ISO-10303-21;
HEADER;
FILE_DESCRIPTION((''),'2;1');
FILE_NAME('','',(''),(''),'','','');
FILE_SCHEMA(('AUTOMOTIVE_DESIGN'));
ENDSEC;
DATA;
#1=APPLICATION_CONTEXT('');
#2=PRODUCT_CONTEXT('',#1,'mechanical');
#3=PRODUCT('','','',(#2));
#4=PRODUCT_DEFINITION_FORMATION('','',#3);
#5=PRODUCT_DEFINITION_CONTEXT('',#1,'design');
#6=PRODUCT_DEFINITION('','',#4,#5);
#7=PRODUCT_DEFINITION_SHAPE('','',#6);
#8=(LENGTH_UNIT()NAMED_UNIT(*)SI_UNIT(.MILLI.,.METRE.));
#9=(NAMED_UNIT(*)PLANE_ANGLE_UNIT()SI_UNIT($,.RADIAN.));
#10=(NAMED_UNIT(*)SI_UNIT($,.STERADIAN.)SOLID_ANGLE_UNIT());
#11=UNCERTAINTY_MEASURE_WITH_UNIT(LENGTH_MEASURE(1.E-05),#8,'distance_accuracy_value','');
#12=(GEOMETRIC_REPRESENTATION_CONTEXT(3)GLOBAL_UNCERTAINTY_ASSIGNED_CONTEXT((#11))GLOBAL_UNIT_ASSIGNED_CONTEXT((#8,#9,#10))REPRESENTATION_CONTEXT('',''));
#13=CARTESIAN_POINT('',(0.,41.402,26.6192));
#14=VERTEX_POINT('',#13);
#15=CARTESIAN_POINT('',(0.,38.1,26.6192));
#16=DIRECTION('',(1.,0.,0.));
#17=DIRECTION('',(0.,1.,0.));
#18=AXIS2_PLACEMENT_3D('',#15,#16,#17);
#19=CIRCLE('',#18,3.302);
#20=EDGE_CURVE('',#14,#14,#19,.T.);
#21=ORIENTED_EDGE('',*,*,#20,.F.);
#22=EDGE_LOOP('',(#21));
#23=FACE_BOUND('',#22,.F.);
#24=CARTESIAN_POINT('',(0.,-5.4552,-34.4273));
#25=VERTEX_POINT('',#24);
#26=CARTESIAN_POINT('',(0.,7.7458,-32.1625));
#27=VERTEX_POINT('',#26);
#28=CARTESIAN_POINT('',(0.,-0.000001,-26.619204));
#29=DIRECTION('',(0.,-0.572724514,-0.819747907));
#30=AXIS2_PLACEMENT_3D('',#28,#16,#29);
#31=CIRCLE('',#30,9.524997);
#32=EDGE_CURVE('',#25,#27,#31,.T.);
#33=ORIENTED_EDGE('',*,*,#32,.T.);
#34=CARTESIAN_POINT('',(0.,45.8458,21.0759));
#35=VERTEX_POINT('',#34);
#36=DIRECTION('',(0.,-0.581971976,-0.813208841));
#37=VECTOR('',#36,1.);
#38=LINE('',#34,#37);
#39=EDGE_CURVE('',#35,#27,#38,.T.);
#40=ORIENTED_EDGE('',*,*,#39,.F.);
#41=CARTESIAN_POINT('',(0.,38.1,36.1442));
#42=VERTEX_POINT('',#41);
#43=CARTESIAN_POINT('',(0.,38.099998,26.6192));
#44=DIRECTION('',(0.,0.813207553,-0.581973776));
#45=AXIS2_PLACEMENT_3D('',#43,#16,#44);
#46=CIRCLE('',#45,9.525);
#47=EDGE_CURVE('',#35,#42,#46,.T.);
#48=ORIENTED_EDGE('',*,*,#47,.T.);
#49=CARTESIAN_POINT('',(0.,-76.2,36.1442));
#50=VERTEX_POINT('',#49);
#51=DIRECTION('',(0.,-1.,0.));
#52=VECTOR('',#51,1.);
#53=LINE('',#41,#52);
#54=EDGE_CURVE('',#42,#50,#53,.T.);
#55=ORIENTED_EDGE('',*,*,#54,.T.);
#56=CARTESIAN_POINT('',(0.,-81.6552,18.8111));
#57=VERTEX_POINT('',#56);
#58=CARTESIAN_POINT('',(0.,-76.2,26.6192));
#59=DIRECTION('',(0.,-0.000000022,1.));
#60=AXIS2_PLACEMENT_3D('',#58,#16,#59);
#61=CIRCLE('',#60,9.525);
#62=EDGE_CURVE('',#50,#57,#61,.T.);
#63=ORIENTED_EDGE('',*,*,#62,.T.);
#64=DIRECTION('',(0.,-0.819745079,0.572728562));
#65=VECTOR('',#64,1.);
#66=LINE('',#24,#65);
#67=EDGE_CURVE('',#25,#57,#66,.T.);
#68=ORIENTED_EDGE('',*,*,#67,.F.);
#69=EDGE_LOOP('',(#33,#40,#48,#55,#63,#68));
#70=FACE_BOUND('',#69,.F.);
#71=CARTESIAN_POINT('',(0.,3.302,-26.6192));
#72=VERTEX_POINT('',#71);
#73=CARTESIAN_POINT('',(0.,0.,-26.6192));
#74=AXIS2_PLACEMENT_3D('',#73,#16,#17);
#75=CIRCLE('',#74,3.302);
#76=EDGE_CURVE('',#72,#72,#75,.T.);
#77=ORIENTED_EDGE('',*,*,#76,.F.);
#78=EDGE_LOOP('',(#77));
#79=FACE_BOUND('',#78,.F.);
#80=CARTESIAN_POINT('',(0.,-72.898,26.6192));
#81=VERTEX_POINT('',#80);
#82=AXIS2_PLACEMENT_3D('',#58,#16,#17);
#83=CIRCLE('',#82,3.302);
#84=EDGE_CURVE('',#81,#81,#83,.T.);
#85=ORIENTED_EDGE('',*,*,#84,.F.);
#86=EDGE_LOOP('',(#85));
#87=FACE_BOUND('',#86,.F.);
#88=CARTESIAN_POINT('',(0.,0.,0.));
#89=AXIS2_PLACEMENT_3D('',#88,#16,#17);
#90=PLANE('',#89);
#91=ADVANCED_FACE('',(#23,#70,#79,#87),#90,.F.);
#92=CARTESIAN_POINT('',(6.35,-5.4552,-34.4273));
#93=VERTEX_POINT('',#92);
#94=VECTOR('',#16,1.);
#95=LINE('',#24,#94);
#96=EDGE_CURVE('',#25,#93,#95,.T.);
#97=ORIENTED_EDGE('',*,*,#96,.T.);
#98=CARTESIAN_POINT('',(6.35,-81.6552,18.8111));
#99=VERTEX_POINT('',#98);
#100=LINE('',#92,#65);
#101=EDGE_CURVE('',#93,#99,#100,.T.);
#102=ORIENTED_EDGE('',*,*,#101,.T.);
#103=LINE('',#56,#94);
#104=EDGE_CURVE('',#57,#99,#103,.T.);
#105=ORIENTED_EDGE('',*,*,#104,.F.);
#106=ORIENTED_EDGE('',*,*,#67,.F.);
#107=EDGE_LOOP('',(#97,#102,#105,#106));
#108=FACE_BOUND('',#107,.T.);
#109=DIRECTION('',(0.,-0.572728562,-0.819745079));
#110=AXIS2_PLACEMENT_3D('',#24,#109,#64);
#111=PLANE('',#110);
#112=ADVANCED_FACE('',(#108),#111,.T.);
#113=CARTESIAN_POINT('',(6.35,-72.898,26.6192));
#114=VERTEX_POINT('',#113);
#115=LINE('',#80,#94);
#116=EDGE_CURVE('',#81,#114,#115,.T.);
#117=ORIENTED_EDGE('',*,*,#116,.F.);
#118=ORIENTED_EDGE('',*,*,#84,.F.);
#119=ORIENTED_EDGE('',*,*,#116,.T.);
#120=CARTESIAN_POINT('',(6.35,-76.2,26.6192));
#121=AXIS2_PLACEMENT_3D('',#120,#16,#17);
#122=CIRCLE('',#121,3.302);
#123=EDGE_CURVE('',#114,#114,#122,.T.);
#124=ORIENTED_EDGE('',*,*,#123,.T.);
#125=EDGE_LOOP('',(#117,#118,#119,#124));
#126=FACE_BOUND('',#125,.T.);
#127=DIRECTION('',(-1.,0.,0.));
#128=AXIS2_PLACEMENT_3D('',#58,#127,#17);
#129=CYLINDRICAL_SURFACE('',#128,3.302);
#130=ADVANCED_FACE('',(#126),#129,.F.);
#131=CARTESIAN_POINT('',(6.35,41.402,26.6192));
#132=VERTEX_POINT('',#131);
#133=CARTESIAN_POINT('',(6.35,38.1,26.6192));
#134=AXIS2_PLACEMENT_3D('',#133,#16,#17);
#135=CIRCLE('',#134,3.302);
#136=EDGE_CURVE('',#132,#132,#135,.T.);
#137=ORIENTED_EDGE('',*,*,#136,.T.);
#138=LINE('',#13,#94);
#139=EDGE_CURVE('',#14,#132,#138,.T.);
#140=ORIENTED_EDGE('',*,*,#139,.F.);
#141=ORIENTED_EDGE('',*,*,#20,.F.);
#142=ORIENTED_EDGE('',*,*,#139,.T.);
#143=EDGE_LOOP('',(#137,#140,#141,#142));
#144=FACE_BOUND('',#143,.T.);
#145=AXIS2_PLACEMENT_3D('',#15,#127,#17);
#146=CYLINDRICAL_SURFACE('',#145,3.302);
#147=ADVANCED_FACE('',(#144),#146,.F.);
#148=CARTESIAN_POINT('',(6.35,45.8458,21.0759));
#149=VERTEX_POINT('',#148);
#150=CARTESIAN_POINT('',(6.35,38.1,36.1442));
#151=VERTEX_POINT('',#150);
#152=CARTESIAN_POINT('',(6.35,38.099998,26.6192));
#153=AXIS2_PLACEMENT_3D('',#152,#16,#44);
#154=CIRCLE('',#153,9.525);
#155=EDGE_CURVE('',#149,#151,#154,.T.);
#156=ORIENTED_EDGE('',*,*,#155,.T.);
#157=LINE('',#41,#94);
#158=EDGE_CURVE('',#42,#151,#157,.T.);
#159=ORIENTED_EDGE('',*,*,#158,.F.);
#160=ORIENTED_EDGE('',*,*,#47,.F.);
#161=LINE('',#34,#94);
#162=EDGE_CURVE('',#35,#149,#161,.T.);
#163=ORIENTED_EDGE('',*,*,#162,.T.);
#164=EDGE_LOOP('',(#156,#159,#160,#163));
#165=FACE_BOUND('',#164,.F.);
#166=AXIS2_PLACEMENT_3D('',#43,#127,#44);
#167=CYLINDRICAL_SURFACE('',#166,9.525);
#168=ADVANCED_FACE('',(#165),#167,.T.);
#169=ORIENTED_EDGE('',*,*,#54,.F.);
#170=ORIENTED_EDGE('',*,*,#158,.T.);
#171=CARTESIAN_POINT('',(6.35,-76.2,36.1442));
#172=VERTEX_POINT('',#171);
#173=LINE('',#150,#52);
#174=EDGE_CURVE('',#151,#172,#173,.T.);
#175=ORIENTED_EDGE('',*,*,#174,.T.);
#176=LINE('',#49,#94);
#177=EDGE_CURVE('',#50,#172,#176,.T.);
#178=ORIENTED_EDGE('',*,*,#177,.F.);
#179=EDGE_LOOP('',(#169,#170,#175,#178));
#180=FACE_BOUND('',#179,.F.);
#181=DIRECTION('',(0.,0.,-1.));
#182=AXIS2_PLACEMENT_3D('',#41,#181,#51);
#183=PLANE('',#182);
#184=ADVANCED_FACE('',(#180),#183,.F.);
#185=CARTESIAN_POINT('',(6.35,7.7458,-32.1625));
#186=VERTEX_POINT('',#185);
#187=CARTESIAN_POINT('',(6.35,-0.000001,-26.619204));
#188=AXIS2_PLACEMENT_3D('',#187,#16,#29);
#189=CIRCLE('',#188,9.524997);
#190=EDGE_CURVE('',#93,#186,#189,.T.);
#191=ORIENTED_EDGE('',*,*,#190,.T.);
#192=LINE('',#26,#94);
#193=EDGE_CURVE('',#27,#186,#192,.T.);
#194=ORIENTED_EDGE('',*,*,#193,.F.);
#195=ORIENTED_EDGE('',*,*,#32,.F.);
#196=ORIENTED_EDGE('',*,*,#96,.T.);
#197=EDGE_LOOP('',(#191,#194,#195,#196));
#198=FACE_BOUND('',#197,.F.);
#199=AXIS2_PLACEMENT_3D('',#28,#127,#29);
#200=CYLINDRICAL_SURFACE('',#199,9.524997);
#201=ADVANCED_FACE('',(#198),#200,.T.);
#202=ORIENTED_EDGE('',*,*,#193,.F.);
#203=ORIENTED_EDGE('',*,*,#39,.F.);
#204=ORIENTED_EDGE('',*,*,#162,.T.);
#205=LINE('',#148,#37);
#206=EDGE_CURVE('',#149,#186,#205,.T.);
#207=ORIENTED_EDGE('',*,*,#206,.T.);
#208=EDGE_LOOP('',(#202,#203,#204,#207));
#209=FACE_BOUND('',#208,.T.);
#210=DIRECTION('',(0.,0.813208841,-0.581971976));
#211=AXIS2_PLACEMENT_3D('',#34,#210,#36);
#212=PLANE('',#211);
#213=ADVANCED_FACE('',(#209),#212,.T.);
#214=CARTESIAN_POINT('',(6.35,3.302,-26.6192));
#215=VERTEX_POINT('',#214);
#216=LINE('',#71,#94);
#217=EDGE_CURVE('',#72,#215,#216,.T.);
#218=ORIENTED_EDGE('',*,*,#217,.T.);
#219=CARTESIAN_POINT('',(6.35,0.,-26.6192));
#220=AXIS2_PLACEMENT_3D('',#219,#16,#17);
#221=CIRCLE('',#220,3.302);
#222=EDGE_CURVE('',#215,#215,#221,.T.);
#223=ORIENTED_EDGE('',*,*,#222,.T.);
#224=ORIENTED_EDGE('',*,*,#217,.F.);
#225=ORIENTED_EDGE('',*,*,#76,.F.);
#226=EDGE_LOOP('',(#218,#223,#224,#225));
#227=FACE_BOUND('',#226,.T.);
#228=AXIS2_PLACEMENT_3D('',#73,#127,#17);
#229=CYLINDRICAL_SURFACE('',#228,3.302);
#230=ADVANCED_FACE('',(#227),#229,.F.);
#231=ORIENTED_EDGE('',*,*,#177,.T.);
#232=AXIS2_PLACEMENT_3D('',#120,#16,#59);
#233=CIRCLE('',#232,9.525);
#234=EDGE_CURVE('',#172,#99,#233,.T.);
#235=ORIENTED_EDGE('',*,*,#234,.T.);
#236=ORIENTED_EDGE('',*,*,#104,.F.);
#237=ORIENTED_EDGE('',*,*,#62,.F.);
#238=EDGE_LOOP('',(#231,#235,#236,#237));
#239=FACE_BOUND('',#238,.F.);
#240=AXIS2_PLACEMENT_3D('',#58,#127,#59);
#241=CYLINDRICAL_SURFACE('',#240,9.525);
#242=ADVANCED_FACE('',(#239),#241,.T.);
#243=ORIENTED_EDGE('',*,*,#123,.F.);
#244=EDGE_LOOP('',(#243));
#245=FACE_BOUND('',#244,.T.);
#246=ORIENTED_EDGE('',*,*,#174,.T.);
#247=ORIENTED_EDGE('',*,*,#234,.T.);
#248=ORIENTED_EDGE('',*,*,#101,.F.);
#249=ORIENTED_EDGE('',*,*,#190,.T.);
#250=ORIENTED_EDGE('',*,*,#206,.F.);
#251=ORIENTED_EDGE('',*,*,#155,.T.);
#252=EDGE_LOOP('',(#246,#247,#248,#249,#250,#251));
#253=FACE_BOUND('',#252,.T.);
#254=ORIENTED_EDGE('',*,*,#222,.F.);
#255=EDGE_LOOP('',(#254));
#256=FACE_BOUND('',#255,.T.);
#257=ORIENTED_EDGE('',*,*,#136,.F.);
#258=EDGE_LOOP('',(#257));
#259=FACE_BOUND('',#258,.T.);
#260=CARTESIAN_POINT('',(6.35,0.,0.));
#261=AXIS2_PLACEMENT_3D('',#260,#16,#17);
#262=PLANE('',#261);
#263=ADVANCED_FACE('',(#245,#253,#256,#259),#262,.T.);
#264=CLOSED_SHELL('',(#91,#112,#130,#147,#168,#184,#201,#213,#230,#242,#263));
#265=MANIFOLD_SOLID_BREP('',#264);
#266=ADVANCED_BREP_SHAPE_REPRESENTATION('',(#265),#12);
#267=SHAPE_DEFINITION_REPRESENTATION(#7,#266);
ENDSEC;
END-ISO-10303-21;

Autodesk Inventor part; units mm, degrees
ref_plane "YZ Plane" through (0, 0, 0) normal (1, 0, 0) x (0, 1, 0)
ref_plane "XZ Plane" through (0, 0, 0) normal (0, 1, 0) x (-1, 0, 0)
ref_plane "XY Plane" through (0, 0, 0) normal (0, 0, 1) x (1, 0, 0)
sketch "Sketch1" plane through (0, 0, 0) normal (1, 0, 0) x (0, 1, 0)
  line L0 (-420.7488, 12.7) -> (420.7488, 12.7) construction
  line L1 (420.7488, 12.7) -> (420.7488, -12.7)
  line L2 (420.7488, -12.7) -> (-420.7488, -12.7) construction
  line L3 (-420.7488, -12.7) -> (-420.7488, 12.7)
  line L4 (0, 0) -> (0, -26.6192) construction
  circle A0 centre (0, -26.6192) radius 3.302
  line L5 (420.7488, 0) -> (-420.7488, 0) construction
  circle A1 centre (38.1, 26.6192) radius 3.302
  circle A2 centre (-76.2, 26.6192) radius 3.302
  line L6 (38.1, 26.6192) -> (-76.2, 26.6192) construction
  line L7 (0, 0) -> (0, 26.6192) construction
  circle A3 centre (0, -26.6192) radius 15.875 construction
  circle A4 centre (38.1, 26.6192) radius 15.875 construction
  circle A5 centre (-76.2, 26.6192) radius 15.875 construction
  line L8 (0, -26.6192) -> (-76.2, 26.6192) construction
  arc A6 (45.8458, 21.0759) -> (38.1, 36.1442) centre (38.1, 26.6192) ccw
  arc A7 (-76.2, 36.1442) -> (-81.6552, 18.8111) centre (-76.2, 26.6192) ccw
  line L9 (38.1, 36.1442) -> (-76.2, 36.1442)
  line L10 (45.8458, 21.0759) -> (7.7458, -32.1625)
  line L11 (-5.4552, -34.4273) -> (-81.6552, 18.8111)
  arc A8 (-5.4552, -34.4273) -> (7.7458, -32.1625) centre (0, -26.6192) ccw
  dimension "d0" = 25.4
  dimension "d1" = 6.604
  dimension "d2" = 13.9192
  dimension "d3" = 31.75
  dimension "d4" = 38.1
  dimension "d5" = 76.2
  dimension "d6" = 9.525
extrude "Extrusion1" add sketch "Sketch1" along normal blind 6.35
properties part number "carriage plate" material "Aluminum 6061"
